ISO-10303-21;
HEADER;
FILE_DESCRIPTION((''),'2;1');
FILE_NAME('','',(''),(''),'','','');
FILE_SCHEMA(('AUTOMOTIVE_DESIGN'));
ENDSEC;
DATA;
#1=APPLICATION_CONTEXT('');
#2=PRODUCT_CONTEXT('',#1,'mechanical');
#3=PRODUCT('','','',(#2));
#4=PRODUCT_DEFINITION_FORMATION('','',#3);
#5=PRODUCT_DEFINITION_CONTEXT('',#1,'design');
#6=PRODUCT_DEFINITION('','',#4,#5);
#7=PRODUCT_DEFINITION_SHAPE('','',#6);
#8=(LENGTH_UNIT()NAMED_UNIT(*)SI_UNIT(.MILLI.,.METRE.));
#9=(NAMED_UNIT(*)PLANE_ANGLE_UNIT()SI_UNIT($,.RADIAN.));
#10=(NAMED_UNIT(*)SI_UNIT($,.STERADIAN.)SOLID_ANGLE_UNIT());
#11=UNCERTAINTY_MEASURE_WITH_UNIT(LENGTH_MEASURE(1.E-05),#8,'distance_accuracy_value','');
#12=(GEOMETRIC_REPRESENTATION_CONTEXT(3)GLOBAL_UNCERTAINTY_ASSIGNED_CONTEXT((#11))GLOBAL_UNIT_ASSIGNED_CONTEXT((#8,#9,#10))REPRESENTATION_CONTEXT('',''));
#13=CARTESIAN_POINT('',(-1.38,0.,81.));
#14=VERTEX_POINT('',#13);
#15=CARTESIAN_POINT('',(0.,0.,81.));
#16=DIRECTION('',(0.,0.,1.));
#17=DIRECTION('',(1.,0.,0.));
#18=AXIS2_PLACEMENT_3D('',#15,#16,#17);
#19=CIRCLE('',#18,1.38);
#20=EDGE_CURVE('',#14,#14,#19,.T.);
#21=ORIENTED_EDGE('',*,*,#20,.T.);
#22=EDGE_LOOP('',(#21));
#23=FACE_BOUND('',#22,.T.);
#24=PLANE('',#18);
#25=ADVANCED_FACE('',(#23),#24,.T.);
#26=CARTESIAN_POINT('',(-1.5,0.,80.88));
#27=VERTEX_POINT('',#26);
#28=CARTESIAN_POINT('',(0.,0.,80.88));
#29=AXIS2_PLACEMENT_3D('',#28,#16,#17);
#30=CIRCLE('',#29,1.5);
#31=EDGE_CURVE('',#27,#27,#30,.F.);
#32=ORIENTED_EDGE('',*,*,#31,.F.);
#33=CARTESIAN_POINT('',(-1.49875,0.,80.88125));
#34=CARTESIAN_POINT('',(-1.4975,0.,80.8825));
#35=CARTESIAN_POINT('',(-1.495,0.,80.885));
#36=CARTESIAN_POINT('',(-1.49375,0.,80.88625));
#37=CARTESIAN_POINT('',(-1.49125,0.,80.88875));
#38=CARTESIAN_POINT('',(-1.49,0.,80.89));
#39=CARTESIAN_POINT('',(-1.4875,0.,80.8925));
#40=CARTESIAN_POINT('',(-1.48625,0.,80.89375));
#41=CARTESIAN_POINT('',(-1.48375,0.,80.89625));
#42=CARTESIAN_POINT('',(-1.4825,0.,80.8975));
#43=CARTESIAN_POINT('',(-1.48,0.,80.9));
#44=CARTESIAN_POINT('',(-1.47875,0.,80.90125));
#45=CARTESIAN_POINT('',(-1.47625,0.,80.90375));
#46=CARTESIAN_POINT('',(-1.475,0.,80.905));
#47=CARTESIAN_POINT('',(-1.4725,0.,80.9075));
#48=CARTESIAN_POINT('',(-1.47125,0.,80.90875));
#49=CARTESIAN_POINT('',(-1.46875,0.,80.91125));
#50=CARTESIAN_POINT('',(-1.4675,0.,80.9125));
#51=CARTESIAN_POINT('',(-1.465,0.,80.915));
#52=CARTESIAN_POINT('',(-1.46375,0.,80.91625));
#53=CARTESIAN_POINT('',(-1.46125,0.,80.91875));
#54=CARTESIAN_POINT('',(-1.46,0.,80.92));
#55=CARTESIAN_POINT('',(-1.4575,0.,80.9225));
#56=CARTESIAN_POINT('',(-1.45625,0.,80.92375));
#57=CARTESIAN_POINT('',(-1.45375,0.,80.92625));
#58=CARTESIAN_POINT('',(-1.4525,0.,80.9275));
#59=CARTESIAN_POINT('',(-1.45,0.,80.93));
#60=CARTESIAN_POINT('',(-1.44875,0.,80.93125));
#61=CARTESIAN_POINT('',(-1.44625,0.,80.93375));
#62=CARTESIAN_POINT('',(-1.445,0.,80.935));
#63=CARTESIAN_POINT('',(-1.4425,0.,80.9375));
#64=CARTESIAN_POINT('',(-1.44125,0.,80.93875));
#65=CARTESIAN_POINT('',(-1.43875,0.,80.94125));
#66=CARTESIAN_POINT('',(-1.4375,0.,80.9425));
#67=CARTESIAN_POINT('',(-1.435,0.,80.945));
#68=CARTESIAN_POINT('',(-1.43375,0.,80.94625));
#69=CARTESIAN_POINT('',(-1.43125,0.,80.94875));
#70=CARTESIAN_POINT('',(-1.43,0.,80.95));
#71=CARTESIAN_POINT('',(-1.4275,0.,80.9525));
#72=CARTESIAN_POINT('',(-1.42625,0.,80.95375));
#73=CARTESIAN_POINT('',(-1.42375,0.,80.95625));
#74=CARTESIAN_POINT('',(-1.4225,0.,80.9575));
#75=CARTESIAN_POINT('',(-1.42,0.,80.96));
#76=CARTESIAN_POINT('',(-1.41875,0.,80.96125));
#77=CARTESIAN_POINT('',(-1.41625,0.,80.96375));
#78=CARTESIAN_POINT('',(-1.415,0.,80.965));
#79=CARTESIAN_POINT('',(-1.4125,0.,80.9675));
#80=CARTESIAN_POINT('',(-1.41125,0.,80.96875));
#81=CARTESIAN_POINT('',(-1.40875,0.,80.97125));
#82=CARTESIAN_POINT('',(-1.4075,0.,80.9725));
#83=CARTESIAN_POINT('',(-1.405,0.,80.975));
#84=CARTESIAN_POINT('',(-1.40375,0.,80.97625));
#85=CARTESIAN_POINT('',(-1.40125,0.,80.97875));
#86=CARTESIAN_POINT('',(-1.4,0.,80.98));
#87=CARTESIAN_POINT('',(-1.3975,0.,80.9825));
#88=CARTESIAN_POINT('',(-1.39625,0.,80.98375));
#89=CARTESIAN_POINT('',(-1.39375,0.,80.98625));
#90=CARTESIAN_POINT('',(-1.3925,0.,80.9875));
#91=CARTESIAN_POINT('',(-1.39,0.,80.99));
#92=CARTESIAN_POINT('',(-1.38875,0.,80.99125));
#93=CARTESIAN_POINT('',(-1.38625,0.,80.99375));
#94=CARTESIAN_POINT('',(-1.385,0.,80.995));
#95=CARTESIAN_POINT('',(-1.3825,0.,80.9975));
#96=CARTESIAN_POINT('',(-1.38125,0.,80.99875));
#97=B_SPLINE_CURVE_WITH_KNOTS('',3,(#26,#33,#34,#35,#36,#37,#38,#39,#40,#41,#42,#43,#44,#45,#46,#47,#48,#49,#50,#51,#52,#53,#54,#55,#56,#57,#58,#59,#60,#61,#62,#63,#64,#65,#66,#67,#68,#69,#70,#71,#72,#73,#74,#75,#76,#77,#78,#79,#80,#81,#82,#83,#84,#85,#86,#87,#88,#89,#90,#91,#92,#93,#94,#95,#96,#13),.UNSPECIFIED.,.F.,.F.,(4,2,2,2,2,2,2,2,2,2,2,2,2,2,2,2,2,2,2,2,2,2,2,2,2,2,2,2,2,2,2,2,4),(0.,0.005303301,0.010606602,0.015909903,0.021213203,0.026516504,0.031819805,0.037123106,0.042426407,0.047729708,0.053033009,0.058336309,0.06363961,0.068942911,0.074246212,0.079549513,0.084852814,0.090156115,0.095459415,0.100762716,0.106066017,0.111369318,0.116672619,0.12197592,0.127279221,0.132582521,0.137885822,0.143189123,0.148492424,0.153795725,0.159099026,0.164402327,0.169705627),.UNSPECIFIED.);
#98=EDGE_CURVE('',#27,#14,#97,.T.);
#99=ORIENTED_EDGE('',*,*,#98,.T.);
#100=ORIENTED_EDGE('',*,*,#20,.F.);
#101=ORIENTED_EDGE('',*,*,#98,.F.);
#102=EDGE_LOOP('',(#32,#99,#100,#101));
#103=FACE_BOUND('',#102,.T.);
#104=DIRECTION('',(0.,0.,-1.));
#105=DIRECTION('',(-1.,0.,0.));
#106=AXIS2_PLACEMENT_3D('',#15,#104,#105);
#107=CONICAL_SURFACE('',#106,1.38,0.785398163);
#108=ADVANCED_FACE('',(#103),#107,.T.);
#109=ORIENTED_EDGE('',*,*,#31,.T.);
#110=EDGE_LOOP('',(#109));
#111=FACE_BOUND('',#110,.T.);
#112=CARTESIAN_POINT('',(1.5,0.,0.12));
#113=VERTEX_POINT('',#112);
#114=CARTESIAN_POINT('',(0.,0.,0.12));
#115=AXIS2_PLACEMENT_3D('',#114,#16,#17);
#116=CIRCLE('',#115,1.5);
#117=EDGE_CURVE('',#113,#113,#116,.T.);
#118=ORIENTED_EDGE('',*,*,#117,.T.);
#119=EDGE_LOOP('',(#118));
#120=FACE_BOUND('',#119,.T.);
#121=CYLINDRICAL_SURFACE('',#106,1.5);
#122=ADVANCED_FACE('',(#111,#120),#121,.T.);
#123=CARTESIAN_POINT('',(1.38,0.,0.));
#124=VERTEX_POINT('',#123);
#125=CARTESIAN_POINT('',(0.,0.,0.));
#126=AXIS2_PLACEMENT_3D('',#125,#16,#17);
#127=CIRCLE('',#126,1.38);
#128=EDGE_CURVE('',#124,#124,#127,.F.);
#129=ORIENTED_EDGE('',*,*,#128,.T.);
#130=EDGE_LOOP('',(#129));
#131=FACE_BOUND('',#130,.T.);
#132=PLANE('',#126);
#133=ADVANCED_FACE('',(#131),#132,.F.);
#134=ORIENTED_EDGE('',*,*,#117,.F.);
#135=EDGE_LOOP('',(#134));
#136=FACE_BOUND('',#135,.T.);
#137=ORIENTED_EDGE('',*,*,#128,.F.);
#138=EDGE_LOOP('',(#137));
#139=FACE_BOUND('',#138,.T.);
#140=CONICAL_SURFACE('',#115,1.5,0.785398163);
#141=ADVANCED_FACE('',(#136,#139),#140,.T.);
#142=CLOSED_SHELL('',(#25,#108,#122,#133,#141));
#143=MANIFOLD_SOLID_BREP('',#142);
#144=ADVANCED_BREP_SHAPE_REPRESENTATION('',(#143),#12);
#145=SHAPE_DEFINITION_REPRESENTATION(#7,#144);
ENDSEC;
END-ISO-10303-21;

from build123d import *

# Parameters (mm, degrees)
SKETCH_1_R      = 2.5
EXTRUDE_1_DEPTH = 135
CHAMFER_1_SIZE  = 0.2
SCALE_1_SCALE   = 0.6


with BuildPart() as part:
    # 草图1 → 凸台-拉伸1 (new body)
    with BuildSketch(Plane.XY):
        Circle(SKETCH_1_R)
    extrude(amount=EXTRUDE_1_DEPTH)

    # 倒角1
    chamfer_1_edges = [part.edges().sort_by_distance(p)[0] for p in [
        (-2.5, 0, 0),
        (-2.5, 0, 135),
    ]]
    chamfer(chamfer_1_edges, length=CHAMFER_1_SIZE)


with BuildPart() as part_1:
    # 缩放比例1: scaled about (0, 0, 0)
    add(part.part.scale(SCALE_1_SCALE))


solid = part_1.part
